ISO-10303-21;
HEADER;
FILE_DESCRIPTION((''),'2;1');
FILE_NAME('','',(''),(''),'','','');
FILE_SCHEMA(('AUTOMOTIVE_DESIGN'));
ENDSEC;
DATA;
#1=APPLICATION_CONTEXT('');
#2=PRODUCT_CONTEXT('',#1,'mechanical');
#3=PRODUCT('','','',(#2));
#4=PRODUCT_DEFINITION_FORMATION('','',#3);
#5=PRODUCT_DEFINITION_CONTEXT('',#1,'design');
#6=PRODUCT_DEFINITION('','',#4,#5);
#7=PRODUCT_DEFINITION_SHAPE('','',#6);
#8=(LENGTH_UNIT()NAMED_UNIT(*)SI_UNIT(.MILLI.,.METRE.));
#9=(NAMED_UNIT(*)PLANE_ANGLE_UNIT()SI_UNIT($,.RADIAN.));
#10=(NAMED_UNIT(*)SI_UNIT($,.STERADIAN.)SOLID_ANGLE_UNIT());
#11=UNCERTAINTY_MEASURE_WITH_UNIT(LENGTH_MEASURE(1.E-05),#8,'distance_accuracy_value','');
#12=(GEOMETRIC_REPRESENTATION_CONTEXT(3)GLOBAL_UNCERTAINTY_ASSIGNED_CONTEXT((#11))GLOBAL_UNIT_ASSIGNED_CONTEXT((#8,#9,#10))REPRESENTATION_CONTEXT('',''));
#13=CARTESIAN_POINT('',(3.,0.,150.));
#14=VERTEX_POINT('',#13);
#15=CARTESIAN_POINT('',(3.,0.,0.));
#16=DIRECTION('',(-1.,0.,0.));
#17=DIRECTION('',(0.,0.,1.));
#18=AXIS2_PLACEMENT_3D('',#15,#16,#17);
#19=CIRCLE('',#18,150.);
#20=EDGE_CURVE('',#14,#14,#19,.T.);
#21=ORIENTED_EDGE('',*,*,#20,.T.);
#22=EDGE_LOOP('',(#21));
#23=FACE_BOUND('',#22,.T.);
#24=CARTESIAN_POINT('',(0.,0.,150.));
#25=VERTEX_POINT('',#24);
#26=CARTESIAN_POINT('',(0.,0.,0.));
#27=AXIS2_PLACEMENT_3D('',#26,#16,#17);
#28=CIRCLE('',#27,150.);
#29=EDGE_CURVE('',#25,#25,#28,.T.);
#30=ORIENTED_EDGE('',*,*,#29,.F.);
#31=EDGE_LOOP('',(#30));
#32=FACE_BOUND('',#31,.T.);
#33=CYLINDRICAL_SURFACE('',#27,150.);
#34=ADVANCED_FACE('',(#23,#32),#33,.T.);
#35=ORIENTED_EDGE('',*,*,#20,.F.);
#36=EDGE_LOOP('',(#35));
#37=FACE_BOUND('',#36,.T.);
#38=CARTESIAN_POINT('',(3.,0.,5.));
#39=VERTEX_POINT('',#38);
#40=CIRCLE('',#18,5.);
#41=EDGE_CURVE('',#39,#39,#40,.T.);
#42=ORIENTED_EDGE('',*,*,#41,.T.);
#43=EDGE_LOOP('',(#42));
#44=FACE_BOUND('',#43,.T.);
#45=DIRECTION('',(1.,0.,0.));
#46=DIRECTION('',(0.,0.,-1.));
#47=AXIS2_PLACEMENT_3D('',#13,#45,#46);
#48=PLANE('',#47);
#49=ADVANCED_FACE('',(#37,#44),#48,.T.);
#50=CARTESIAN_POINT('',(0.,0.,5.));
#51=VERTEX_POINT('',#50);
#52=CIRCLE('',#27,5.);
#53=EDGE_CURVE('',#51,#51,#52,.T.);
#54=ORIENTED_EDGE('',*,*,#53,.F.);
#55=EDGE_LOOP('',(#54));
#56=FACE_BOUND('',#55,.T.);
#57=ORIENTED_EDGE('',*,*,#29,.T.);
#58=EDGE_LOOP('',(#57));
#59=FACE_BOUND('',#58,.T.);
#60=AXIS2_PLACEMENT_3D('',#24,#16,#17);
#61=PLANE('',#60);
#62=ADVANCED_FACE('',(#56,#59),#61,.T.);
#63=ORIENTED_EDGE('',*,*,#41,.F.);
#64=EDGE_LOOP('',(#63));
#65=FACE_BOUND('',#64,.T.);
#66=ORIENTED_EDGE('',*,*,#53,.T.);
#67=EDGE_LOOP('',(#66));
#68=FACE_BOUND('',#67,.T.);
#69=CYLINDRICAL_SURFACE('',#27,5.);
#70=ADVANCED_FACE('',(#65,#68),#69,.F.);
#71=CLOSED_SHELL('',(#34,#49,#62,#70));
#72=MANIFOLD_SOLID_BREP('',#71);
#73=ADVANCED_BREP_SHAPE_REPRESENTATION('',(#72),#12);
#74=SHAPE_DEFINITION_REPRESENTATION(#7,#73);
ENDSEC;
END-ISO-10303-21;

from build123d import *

# Parameters (mm, degrees)
SKETCH1_W = 3
SKETCH1_H = 145


with BuildPart() as part:
    # Sketch1 → Revolve1 (revolve)
    with BuildSketch(Plane(origin=(0, 0, 0), x_dir=(1, 0, 0), z_dir=(0, 1, 0))):
        with Locations((1.5, -77.5)):
            Rectangle(SKETCH1_W, SKETCH1_H)
    revolve(axis=Axis((0, 0, 0), (1, 0, 0)))


solid = part.part
